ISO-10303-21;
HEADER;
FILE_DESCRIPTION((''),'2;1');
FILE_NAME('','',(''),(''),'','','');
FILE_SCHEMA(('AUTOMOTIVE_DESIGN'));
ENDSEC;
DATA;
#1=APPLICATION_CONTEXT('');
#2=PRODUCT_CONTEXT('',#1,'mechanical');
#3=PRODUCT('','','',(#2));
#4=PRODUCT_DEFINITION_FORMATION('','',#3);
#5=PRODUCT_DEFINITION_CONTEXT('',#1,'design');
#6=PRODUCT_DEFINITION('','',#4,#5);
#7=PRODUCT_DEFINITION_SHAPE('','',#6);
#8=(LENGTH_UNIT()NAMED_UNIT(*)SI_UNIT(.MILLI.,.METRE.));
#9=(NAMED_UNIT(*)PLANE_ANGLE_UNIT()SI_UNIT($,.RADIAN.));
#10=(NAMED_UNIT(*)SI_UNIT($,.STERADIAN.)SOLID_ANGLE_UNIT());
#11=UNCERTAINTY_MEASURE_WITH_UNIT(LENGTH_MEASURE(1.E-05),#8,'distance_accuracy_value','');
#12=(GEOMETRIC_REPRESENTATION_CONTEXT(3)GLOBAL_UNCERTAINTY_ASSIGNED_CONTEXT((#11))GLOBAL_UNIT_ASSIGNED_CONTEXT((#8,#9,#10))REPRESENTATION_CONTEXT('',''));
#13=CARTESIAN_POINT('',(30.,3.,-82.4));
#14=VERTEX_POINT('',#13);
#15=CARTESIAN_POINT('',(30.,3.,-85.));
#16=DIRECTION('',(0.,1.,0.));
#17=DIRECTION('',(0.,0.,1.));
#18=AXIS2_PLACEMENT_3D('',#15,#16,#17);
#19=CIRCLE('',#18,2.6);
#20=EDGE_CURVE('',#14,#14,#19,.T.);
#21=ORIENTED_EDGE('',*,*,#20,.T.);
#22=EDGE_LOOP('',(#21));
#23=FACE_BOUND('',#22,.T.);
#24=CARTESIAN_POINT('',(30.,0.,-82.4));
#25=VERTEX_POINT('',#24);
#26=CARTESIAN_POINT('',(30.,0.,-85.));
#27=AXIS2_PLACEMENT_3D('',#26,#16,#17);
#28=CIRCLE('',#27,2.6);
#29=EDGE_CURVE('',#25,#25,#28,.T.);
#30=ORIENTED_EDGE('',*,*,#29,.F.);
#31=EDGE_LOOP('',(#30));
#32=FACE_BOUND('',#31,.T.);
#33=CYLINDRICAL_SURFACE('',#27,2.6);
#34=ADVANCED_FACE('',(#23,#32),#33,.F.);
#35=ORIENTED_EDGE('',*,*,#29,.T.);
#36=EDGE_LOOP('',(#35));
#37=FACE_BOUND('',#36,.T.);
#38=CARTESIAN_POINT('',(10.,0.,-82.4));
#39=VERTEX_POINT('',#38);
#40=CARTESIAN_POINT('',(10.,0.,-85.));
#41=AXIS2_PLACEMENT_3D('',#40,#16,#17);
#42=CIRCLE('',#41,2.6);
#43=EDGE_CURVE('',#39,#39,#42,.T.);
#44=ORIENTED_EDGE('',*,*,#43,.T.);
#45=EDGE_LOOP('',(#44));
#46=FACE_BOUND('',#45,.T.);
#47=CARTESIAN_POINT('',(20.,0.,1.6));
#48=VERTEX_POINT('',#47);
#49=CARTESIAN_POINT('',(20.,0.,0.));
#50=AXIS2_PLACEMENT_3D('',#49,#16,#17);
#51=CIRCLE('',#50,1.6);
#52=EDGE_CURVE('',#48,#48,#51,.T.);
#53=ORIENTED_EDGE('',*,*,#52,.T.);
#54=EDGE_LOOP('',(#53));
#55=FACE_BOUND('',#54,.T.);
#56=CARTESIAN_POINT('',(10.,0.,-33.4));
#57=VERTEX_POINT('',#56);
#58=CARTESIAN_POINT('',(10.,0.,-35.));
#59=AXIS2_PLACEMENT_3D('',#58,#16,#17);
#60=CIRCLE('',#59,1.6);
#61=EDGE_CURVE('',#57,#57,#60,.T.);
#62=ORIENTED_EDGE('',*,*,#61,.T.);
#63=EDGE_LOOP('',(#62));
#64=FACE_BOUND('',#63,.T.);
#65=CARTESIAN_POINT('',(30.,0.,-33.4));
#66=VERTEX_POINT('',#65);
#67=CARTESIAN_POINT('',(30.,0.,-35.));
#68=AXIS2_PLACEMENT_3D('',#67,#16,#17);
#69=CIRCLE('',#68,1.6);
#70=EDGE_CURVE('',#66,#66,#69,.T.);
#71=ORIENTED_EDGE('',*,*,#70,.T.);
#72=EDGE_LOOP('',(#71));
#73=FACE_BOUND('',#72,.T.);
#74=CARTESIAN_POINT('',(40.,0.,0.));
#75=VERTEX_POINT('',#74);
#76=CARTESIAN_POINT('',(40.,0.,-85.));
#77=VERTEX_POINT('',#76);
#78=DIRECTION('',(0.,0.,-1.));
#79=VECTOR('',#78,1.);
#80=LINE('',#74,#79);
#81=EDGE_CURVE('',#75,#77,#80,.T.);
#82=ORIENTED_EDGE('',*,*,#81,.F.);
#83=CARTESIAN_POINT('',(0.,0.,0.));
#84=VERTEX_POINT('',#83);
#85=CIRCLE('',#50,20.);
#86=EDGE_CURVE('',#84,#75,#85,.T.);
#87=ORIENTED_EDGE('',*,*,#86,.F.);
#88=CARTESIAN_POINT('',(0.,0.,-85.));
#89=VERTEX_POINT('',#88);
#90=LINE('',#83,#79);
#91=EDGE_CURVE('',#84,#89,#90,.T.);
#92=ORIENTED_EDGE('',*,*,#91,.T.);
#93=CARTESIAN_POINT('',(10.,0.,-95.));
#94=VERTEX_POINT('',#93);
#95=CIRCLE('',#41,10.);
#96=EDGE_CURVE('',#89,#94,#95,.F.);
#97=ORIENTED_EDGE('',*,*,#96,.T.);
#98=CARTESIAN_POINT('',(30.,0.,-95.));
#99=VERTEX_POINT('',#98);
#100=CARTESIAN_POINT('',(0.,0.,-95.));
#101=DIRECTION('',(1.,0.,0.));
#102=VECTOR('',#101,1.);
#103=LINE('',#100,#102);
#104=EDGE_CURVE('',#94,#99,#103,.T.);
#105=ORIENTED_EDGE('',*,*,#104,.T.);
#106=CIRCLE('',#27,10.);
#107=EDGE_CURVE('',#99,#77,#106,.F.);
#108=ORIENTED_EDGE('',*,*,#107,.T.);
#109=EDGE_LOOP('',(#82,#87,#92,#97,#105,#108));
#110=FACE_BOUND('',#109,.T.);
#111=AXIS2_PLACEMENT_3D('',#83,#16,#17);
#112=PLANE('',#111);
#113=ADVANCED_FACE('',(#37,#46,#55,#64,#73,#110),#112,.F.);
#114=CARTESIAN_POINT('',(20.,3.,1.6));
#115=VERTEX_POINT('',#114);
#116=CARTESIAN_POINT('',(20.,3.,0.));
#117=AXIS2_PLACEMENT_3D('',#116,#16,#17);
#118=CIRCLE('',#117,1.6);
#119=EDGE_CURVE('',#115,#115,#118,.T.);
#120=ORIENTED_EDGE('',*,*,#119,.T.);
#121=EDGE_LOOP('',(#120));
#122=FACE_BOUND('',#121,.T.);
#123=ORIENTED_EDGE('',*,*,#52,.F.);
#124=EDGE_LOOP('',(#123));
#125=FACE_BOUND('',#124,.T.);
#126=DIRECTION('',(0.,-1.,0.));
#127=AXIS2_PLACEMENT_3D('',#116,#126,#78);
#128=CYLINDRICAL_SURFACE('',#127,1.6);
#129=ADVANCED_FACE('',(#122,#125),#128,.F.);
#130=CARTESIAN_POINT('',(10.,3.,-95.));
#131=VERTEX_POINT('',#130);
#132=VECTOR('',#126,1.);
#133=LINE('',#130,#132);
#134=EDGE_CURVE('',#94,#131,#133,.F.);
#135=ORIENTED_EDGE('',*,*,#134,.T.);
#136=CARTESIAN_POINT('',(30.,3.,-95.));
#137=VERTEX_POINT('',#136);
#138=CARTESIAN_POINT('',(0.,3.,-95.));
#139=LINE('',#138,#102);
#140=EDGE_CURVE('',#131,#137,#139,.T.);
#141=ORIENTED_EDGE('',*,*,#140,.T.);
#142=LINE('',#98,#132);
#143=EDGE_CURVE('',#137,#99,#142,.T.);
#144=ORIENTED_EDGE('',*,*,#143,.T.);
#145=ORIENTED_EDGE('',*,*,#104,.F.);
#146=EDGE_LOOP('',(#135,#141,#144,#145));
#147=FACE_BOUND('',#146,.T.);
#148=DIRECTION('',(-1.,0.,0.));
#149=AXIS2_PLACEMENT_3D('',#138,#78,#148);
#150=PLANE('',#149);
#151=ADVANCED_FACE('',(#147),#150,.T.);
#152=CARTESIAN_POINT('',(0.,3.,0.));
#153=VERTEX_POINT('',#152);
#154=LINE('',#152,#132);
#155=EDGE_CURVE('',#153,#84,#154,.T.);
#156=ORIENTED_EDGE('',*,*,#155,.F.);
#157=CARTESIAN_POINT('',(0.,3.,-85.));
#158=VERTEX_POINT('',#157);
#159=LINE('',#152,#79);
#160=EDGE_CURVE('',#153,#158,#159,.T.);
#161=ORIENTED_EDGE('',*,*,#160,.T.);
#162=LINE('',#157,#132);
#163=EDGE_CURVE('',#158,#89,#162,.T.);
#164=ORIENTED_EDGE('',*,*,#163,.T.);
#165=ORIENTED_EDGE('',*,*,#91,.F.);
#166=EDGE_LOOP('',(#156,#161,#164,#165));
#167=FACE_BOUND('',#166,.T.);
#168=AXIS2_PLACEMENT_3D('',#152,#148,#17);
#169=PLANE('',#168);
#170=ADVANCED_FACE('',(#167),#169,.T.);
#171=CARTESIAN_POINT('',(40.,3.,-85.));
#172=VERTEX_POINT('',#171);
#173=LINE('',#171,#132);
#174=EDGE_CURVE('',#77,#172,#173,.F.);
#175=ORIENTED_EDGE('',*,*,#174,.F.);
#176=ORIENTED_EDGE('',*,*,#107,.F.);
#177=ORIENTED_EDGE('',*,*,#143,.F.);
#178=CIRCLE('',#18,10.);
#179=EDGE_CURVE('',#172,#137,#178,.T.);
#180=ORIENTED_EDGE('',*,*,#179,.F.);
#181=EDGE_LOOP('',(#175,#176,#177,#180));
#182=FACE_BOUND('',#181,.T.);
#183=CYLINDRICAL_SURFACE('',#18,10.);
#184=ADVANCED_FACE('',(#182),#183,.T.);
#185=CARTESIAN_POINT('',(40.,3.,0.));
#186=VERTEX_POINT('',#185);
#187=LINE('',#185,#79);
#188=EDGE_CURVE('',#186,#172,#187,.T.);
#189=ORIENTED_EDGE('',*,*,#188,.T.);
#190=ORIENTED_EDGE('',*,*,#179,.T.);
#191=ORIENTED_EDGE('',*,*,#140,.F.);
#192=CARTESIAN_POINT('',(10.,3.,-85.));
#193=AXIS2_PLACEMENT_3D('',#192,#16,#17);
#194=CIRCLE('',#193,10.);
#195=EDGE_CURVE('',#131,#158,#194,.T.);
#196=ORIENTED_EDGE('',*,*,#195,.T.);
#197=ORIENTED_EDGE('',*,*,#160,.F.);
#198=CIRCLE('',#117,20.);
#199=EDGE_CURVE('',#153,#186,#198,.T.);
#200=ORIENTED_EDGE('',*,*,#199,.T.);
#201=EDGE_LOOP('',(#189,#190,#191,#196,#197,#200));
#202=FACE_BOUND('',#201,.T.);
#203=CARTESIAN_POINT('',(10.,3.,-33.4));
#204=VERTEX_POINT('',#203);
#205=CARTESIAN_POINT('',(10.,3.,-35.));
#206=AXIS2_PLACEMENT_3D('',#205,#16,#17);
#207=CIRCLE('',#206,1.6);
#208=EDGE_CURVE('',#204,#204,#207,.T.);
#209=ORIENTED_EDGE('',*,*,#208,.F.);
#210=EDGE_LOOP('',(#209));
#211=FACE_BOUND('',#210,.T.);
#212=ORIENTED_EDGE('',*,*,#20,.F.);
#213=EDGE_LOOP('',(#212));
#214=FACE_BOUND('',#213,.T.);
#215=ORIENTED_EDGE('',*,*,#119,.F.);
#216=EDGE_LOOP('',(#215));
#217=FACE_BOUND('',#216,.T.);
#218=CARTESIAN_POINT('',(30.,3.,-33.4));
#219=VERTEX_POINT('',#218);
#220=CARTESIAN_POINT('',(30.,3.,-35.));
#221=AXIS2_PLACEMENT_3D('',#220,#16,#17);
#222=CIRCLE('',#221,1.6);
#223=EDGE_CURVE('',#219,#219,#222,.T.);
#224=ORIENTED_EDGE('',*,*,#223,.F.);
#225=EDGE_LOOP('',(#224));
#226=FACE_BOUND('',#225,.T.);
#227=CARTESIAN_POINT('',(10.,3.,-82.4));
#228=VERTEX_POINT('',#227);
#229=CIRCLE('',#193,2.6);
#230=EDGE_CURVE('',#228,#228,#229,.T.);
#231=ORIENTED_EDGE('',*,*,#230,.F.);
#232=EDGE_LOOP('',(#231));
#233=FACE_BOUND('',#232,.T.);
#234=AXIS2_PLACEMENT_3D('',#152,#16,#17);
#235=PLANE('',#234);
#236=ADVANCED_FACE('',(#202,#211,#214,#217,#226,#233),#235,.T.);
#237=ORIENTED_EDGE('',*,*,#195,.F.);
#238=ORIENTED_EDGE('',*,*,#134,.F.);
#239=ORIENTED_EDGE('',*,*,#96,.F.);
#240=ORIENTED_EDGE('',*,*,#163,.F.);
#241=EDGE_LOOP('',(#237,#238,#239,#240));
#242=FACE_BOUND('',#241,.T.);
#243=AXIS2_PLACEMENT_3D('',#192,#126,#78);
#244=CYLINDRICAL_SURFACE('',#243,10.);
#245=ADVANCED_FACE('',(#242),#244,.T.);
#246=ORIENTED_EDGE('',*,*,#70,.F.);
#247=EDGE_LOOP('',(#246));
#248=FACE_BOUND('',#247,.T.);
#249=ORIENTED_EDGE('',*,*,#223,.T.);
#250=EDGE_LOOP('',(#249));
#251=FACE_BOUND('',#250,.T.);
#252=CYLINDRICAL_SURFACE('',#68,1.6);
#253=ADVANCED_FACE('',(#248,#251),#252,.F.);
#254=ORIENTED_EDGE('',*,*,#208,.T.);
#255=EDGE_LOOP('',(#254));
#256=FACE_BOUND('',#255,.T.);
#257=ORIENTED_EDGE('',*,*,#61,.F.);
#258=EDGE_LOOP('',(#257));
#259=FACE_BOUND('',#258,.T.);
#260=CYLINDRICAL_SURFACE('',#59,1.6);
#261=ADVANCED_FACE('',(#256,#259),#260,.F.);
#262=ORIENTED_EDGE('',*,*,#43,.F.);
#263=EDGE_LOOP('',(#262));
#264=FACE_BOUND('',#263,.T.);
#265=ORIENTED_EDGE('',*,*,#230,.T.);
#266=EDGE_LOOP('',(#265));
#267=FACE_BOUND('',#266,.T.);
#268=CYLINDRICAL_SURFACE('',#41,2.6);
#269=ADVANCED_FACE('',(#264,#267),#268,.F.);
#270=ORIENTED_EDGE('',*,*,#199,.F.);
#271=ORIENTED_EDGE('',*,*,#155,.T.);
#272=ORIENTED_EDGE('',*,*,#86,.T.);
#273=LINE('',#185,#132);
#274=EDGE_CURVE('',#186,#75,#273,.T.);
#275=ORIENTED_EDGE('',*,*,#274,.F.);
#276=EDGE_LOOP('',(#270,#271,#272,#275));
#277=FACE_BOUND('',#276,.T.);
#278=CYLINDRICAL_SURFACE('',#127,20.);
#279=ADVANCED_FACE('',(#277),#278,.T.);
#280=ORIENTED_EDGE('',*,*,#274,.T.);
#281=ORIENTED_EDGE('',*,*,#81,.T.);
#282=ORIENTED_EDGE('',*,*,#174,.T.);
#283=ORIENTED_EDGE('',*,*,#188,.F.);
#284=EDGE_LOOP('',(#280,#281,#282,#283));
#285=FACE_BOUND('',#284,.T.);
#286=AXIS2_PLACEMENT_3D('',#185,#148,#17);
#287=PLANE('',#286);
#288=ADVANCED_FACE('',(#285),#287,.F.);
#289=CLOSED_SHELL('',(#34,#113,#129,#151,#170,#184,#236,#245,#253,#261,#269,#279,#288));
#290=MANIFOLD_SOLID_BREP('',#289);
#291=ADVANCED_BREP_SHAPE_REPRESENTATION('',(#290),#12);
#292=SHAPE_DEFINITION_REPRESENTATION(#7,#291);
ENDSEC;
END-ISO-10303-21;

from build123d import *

# Parameters (mm, degrees)
SKETCH1_R           = 1.6
BOSS_EXTRUDE1_DEPTH = 3
SKETCH3_R           = 2.6
SKETCH3_R_2         = 1.6
CUT_EXTRUDE2_DEPTH  = 3
FILLET2_R           = 10


with BuildPart() as part:
    # Sketch1 → Boss-Extrude1 (new body)
    with BuildSketch(Plane(origin=(0, 0, 0), x_dir=(1, 0, 0), z_dir=(0, 1, 0))):
        with BuildLine():
            Line((0, 0), (0, 95))
            Line((0, 95), (40, 95))
            Line((40, 95), (40, 0))
            ThreePointArc((40, 0), (20, -20), (0, 0))
        make_face()
        with Locations(Location((20, 0, 0), (0, 0, 270))):
            Circle(SKETCH1_R, mode=Mode.SUBTRACT)
    extrude(amount=BOSS_EXTRUDE1_DEPTH)

    # Sketch3 → Cut-Extrude2 (cut)
    with BuildSketch(Plane(origin=(0, 3, 0), x_dir=(1, 0, 0), z_dir=(0, 1, 0))):
        with Locations(Location((10, 85, 0), (0, 0, 270))):
            Circle(SKETCH3_R)
        with Locations(Location((30, 85, 0), (0, 0, 270))):
            Circle(SKETCH3_R)
        with Locations(Location((10, 35, 0), (0, 0, 270))):
            Circle(SKETCH3_R_2)
        with Locations(Location((30, 35, 0), (0, 0, 270))):
            Circle(SKETCH3_R_2)
    extrude(amount=-CUT_EXTRUDE2_DEPTH, mode=Mode.SUBTRACT)

    # Fillet2
    fillet2_edges = [part.edges().sort_by_distance(p)[0] for p in [
        (0, 1.5, -95),
        (40, 1.5, -95),
    ]]
    fillet(fillet2_edges, radius=FILLET2_R)


solid = part.part
